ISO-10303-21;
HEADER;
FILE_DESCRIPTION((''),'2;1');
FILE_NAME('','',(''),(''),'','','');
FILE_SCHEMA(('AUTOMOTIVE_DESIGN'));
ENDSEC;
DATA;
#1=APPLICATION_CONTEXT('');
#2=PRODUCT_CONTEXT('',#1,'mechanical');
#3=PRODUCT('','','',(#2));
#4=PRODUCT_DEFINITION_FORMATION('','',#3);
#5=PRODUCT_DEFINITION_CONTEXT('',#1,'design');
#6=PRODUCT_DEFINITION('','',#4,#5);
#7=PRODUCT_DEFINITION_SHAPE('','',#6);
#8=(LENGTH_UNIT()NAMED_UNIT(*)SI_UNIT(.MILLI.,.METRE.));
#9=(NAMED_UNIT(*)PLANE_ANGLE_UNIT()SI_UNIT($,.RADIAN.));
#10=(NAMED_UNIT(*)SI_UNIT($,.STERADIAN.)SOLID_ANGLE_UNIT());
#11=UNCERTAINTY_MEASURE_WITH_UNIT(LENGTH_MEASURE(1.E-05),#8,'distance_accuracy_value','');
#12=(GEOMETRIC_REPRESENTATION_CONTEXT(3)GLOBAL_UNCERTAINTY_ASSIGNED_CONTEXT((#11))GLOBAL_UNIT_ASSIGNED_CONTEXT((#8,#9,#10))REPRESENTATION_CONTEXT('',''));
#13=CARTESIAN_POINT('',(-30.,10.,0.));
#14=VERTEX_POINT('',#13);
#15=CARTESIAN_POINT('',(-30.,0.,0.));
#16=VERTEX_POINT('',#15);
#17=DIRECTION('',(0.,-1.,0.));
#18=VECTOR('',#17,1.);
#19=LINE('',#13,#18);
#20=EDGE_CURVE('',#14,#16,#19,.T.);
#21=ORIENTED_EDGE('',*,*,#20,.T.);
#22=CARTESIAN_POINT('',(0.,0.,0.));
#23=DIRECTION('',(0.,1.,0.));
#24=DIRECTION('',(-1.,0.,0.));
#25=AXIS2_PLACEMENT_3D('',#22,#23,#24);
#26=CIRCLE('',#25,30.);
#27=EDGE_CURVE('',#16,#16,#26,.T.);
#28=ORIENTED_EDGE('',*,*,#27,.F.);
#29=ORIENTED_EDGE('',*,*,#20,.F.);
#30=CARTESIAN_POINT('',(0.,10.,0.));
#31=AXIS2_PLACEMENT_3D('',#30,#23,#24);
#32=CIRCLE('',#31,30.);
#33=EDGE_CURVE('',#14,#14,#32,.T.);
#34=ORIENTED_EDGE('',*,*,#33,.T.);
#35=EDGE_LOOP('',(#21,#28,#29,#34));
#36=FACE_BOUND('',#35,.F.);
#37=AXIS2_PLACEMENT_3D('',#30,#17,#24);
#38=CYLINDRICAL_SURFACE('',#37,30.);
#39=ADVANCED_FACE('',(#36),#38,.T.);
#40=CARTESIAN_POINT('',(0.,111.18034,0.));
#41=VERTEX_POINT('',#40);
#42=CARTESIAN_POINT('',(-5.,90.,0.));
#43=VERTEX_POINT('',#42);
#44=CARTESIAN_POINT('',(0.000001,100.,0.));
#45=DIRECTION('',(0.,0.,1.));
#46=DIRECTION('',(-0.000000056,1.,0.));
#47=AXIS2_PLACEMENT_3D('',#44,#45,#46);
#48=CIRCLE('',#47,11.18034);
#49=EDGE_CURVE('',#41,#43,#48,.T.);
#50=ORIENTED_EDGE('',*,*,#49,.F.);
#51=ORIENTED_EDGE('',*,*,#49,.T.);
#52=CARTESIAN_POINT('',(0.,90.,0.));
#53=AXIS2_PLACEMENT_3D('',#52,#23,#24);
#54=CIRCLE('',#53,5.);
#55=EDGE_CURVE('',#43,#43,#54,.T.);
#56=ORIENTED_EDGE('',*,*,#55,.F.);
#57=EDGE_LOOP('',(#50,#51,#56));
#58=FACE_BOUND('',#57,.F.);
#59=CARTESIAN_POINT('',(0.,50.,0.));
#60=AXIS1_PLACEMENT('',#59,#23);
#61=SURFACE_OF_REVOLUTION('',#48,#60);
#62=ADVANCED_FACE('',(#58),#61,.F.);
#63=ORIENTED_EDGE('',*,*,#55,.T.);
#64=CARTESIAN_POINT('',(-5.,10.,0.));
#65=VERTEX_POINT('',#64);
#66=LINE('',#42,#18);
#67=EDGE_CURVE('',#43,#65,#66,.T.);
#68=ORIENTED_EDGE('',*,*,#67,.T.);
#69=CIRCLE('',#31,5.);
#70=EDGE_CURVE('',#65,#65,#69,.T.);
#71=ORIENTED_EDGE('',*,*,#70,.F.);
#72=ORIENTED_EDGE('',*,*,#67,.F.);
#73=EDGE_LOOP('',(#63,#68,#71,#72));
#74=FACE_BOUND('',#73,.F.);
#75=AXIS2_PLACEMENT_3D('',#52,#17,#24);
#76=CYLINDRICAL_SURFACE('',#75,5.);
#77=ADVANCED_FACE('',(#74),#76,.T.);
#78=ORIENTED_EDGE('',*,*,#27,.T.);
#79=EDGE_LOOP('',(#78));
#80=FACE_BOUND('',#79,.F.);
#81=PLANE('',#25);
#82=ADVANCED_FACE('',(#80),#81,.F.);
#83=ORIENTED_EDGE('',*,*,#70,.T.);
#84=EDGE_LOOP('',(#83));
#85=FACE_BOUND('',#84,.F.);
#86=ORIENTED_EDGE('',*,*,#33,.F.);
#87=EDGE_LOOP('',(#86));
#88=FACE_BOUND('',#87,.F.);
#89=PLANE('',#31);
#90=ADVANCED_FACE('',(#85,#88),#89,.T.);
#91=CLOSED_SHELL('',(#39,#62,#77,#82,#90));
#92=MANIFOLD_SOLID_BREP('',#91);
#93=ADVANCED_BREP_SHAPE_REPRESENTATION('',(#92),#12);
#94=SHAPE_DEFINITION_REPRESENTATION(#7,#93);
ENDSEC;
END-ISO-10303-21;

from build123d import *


with BuildPart() as f1:
    # F0 (on Top) → F1 (revolve)
    with BuildSketch(Plane.XY):
        with BuildLine():
            Line((-30, 0), (0, 0))
            Line((0, 0), (0, 100))
            Line((0, 100), (0, 111.18034))
            ThreePointArc((0, 111.18034), (-10.881254, 102.568716), (-5, 90))
            Line((-5, 90), (-5, 10))
            Line((-5, 10), (-30, 10))
            Line((-30, 10), (-30, 0))
        make_face()
    revolve(axis=Axis((0, 50, 0), (0, 1, 0)))


solid = f1.part
